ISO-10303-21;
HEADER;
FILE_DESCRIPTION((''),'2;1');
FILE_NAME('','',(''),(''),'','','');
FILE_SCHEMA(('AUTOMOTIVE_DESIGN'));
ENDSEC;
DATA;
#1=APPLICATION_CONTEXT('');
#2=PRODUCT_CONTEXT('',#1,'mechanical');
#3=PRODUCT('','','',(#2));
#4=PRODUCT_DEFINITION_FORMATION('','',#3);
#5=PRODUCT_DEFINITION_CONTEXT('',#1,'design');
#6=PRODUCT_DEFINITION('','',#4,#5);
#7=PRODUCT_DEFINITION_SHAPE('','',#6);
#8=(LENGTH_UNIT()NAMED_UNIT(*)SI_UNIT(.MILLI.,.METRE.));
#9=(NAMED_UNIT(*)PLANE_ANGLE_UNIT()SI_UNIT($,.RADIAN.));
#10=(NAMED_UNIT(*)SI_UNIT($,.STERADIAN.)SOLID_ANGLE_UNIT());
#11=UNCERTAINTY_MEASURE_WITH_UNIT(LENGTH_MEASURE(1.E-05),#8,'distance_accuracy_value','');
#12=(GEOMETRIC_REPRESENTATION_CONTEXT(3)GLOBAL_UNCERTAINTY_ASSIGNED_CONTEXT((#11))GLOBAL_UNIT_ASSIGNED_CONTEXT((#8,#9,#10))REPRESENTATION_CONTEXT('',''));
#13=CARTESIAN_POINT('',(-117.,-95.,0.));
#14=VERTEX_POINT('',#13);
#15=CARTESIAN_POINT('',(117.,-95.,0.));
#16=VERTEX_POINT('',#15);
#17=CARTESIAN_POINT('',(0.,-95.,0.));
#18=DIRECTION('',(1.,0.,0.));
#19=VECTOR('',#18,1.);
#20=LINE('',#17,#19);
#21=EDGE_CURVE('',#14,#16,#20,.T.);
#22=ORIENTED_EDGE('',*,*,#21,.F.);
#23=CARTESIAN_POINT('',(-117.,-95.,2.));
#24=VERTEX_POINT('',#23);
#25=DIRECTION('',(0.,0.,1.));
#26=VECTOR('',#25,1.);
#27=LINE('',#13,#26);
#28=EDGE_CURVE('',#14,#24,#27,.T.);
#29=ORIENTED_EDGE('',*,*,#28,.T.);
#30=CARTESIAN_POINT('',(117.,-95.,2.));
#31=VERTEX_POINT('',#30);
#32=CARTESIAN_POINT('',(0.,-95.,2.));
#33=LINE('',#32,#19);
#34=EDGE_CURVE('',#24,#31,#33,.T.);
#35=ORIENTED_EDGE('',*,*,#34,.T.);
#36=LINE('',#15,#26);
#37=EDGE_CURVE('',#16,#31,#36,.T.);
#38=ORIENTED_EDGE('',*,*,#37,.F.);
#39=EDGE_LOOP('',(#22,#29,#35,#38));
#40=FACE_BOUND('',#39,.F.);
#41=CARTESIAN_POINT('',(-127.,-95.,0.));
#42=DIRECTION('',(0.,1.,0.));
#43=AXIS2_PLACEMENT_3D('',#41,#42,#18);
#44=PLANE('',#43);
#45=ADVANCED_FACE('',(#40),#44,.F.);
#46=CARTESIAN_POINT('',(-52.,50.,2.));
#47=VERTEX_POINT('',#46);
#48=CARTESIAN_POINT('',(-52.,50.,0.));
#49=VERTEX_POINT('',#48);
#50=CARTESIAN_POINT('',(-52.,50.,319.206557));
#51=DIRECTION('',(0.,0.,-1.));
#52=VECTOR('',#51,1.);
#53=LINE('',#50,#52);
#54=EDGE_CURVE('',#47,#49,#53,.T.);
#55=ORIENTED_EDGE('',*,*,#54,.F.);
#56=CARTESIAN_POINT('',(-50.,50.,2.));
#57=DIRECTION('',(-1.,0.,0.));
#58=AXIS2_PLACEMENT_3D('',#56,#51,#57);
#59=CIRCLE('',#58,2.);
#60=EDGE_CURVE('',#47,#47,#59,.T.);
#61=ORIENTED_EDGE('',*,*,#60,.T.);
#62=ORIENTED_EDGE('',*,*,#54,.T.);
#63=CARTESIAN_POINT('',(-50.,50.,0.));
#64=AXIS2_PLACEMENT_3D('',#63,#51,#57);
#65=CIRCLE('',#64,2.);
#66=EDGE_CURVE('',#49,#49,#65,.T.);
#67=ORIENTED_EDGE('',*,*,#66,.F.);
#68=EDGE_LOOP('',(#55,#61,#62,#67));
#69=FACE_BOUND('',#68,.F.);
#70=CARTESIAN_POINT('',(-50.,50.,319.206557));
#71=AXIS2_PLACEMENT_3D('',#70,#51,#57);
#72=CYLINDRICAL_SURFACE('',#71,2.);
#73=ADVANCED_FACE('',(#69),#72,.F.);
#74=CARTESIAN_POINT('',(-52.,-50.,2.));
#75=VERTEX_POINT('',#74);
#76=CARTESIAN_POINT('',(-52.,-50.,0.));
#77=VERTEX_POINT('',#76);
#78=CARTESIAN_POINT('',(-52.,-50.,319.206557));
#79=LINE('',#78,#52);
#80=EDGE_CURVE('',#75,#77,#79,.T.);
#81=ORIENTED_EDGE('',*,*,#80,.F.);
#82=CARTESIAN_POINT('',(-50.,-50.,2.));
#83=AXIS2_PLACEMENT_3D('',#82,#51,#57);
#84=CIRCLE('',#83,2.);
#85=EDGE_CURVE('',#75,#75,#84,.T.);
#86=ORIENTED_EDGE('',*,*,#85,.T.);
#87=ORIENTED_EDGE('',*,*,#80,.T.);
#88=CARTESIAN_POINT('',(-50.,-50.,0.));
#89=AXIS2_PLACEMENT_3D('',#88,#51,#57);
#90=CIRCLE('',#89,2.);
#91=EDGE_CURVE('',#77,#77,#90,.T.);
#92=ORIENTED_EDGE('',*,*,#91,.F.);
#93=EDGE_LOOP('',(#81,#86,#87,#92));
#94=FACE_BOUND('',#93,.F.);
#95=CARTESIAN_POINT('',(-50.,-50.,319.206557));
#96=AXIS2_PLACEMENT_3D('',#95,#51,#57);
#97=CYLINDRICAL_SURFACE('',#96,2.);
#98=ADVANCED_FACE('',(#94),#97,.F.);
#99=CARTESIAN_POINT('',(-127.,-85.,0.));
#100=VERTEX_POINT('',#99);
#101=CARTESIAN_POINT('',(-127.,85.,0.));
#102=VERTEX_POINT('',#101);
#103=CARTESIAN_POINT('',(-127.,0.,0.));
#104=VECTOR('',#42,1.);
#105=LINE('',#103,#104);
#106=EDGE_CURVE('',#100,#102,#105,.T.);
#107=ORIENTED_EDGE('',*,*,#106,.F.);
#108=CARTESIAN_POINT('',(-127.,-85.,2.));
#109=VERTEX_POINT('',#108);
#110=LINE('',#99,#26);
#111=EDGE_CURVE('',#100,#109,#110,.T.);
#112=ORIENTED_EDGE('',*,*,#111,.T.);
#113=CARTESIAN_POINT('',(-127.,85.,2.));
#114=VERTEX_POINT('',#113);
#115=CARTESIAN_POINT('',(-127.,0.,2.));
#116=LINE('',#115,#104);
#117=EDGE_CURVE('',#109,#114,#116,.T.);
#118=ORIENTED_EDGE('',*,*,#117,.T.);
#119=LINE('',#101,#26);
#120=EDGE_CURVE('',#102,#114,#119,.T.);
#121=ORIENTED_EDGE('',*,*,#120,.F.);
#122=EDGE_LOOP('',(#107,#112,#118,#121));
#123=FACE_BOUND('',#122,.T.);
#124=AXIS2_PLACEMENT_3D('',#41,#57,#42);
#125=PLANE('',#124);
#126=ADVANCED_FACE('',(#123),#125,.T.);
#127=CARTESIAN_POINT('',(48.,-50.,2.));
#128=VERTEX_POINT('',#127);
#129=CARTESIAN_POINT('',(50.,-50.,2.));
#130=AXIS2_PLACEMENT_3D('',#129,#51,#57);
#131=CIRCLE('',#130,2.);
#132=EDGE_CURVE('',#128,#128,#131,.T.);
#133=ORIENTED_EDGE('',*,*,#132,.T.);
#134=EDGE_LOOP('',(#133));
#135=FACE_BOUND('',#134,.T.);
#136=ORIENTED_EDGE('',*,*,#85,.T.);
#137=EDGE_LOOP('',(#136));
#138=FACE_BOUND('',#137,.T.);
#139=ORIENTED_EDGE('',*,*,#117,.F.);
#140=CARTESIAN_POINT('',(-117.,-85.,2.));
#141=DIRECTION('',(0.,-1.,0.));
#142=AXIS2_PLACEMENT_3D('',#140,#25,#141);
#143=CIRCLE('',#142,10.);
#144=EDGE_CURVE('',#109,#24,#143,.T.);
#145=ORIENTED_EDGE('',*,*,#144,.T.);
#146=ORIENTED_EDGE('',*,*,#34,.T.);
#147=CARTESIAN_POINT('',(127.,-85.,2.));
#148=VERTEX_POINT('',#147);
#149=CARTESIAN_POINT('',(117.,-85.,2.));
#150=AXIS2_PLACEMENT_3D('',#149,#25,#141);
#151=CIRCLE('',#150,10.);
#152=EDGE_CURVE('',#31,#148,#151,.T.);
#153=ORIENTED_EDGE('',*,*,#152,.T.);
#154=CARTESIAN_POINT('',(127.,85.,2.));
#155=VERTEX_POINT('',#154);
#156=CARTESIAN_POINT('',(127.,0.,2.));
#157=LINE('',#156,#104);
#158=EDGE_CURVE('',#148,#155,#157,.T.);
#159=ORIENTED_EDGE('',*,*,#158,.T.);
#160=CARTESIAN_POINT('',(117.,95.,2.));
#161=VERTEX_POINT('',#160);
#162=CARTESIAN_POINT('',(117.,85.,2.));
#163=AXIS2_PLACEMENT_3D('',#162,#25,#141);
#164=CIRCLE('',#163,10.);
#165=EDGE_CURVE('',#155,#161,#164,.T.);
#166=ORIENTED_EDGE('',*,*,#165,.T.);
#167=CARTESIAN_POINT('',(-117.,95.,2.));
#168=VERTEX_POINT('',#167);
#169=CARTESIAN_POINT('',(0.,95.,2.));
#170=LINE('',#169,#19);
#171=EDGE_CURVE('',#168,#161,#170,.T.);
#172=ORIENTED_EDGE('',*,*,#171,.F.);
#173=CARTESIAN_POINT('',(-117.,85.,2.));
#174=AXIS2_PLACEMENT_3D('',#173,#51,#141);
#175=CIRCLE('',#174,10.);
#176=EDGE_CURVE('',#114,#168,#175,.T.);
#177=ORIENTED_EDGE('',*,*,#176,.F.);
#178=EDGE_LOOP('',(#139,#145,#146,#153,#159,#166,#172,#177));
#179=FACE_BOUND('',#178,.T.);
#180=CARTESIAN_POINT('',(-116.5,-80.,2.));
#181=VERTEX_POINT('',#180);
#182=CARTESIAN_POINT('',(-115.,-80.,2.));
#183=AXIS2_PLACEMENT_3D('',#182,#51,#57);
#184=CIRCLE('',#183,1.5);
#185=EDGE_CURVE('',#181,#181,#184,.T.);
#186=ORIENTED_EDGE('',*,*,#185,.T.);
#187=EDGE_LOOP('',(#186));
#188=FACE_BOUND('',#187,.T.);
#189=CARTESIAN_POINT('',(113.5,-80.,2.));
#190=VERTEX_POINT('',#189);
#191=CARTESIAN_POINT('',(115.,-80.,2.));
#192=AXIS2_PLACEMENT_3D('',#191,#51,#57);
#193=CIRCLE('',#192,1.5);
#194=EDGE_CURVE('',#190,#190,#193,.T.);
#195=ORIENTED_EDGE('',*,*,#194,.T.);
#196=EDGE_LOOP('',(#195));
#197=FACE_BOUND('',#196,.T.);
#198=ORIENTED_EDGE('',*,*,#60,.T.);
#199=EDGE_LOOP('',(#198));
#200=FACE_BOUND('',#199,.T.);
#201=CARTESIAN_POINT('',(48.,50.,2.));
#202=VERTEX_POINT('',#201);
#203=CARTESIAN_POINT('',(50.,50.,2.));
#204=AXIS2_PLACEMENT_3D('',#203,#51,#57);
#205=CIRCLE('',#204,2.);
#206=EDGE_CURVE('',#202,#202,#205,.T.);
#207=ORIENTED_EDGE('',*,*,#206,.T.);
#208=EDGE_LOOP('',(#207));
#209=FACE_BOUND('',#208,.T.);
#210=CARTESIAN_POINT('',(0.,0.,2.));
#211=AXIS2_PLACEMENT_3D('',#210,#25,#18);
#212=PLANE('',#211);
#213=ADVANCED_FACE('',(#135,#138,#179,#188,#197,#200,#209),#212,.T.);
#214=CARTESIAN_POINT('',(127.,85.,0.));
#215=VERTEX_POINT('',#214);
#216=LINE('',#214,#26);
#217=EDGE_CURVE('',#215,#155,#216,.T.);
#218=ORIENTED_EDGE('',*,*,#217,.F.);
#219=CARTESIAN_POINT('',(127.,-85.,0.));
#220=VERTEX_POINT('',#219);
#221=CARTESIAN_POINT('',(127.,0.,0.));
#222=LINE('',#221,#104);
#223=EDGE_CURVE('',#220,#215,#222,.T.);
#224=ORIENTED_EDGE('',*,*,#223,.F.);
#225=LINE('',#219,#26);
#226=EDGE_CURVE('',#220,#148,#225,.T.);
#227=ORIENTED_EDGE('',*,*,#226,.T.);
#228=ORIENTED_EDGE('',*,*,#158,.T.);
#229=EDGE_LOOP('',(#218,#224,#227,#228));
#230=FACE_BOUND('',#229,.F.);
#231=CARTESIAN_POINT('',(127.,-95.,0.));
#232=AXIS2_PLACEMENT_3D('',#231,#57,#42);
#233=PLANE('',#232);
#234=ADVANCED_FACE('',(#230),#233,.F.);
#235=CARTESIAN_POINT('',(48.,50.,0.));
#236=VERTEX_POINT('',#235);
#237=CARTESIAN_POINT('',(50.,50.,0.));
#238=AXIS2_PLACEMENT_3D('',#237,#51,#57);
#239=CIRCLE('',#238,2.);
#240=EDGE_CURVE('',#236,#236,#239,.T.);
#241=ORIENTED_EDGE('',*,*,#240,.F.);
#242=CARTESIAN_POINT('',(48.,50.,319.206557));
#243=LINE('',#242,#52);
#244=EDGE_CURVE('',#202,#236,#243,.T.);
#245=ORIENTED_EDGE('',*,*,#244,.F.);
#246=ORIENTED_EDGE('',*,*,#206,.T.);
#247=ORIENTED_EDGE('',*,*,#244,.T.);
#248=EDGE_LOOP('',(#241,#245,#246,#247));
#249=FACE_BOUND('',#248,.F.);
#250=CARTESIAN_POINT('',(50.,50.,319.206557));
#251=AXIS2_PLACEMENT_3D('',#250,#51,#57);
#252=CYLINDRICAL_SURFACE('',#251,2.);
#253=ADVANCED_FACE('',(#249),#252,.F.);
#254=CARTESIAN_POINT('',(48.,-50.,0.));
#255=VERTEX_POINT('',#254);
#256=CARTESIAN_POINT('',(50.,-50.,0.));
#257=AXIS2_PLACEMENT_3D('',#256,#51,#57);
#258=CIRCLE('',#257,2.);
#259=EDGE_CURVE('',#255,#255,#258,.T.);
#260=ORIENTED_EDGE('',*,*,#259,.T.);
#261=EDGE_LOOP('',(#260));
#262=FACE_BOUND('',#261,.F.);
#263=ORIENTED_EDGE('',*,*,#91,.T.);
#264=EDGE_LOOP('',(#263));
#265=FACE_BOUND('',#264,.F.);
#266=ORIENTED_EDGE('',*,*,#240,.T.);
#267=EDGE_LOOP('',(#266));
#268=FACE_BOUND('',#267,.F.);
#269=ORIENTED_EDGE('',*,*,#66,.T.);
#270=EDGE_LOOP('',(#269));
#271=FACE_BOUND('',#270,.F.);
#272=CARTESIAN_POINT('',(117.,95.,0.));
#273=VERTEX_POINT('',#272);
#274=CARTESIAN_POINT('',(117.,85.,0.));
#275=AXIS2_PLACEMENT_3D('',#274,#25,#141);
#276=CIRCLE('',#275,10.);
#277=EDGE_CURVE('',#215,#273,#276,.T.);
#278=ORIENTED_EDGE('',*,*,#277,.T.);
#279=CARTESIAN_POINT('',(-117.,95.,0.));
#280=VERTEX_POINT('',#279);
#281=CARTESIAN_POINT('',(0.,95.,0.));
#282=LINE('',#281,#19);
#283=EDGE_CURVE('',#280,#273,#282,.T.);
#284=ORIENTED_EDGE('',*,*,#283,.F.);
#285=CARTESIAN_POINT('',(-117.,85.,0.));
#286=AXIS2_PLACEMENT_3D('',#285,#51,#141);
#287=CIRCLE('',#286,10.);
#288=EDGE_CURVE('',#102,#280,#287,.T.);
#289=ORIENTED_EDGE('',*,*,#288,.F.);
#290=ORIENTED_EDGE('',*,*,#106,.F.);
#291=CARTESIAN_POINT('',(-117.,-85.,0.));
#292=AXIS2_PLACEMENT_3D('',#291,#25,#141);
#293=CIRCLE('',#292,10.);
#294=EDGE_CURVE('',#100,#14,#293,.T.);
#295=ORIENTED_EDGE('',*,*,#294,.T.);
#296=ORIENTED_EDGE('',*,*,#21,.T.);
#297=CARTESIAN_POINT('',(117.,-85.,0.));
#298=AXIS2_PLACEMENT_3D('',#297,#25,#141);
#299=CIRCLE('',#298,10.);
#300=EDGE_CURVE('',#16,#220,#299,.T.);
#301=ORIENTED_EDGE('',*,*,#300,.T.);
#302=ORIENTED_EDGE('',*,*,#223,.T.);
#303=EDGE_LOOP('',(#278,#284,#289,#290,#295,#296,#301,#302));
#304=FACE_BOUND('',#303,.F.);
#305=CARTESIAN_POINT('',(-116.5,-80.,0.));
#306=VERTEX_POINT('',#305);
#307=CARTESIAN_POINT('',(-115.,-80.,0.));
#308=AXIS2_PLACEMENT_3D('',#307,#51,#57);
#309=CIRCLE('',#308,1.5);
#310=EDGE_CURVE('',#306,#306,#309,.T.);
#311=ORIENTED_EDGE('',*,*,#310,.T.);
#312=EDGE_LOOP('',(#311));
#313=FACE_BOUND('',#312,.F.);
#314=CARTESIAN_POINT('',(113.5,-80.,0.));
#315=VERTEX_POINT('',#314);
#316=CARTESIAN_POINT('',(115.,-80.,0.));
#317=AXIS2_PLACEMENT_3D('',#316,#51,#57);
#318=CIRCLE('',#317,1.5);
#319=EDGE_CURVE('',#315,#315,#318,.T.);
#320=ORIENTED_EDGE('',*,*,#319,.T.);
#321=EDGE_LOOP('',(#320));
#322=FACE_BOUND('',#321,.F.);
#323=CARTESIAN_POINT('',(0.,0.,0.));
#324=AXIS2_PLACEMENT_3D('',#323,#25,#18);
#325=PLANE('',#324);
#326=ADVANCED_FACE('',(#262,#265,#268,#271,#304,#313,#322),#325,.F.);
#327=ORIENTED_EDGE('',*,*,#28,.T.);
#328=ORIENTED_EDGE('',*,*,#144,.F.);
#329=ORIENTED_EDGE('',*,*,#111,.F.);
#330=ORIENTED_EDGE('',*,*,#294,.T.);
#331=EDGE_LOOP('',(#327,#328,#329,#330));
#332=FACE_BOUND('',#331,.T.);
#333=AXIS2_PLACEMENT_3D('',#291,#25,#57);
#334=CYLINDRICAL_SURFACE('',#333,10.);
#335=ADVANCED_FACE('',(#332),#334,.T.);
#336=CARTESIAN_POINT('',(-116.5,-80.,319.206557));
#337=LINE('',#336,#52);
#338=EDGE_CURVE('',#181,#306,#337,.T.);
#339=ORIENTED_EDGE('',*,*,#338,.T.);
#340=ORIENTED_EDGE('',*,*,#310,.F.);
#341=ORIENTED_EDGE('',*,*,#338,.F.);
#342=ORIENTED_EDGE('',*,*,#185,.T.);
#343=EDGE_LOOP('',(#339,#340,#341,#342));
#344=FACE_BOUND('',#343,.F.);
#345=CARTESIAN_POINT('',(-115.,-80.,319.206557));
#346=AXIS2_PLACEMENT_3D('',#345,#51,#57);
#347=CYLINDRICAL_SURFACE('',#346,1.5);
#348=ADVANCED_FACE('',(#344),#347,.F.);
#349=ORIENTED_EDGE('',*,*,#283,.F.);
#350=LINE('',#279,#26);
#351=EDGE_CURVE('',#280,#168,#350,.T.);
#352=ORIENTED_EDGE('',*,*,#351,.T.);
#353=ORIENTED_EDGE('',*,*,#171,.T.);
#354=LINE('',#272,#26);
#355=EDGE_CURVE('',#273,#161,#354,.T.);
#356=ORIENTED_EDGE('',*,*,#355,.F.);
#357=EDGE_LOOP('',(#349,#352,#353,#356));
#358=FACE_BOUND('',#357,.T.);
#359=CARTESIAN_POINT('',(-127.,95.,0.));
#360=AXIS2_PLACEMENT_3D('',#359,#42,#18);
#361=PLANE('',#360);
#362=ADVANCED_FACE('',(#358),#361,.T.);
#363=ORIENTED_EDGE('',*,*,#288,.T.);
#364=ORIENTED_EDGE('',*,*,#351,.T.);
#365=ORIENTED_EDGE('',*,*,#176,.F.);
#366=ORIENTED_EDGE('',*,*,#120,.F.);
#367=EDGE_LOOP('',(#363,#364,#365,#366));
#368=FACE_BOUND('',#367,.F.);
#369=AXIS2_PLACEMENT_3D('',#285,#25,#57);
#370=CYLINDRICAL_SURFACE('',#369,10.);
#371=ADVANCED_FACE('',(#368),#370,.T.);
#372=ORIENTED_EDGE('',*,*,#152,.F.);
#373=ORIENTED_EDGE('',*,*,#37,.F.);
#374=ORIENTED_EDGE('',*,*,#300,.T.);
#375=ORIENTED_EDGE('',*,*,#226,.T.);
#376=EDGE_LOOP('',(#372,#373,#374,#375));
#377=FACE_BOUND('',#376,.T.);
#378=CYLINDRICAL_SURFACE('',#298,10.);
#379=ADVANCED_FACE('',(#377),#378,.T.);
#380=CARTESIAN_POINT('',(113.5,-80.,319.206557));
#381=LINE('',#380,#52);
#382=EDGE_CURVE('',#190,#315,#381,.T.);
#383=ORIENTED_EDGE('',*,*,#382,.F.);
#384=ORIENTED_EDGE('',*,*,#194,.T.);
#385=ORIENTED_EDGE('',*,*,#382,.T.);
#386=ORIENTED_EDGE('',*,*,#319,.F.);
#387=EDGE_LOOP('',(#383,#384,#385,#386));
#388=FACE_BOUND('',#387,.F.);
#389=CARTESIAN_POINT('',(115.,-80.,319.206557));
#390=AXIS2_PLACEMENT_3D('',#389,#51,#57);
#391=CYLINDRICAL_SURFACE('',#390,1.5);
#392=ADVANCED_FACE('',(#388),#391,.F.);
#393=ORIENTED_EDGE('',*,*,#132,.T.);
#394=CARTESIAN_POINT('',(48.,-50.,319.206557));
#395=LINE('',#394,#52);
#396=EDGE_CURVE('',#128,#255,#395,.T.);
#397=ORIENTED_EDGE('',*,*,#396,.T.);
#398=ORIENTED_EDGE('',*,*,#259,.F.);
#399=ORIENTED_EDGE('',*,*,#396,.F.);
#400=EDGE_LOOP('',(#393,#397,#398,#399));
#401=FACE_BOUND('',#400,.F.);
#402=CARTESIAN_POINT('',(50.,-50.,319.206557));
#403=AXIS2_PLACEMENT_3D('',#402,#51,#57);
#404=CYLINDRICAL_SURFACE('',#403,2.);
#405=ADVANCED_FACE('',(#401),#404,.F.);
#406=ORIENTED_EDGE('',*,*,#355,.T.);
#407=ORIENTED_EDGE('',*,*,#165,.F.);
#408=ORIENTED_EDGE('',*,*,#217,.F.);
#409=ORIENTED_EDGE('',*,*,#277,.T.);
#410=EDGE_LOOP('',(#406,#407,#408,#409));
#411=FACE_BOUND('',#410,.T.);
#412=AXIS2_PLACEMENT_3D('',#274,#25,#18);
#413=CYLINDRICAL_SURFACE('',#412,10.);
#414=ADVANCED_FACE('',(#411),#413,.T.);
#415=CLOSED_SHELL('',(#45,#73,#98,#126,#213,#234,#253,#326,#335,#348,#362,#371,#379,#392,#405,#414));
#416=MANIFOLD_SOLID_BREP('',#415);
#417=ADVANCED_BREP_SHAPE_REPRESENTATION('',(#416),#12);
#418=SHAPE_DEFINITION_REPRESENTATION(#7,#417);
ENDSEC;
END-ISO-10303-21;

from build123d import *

# Parameters (mm, degrees)
F0_W     = 254
F0_H     = 190
F1_DEPTH = 2
F2_R     = 10
F4_D     = 4
F6_D     = 3


with BuildPart() as f1:
    # F0 (on Top) → F1 (new body)
    with BuildSketch(Plane.XY):
        Rectangle(F0_W, F0_H)
    extrude(amount=F1_DEPTH)

    # F2
    f2_edges = [f1.edges().sort_by_distance(p)[0] for p in [
        (-127, -95, 1),
        (127, -95, 1),
        (-127, 95, 1),
        (127, 95, 1),
    ]]
    fillet(f2_edges, radius=F2_R)

    # F4 (through all)
    with Locations(Plane.XY.offset(2)):
        with Locations((-50, 50), (50, 50), (50, -50), (-50, -50)):
            Hole(F4_D / 2)

    # F6 (through all)
    with Locations(Plane.XY.offset(2)):
        with Locations((-115, -80), (115, -80)):
            Hole(F6_D / 2)


solid = f1.part
